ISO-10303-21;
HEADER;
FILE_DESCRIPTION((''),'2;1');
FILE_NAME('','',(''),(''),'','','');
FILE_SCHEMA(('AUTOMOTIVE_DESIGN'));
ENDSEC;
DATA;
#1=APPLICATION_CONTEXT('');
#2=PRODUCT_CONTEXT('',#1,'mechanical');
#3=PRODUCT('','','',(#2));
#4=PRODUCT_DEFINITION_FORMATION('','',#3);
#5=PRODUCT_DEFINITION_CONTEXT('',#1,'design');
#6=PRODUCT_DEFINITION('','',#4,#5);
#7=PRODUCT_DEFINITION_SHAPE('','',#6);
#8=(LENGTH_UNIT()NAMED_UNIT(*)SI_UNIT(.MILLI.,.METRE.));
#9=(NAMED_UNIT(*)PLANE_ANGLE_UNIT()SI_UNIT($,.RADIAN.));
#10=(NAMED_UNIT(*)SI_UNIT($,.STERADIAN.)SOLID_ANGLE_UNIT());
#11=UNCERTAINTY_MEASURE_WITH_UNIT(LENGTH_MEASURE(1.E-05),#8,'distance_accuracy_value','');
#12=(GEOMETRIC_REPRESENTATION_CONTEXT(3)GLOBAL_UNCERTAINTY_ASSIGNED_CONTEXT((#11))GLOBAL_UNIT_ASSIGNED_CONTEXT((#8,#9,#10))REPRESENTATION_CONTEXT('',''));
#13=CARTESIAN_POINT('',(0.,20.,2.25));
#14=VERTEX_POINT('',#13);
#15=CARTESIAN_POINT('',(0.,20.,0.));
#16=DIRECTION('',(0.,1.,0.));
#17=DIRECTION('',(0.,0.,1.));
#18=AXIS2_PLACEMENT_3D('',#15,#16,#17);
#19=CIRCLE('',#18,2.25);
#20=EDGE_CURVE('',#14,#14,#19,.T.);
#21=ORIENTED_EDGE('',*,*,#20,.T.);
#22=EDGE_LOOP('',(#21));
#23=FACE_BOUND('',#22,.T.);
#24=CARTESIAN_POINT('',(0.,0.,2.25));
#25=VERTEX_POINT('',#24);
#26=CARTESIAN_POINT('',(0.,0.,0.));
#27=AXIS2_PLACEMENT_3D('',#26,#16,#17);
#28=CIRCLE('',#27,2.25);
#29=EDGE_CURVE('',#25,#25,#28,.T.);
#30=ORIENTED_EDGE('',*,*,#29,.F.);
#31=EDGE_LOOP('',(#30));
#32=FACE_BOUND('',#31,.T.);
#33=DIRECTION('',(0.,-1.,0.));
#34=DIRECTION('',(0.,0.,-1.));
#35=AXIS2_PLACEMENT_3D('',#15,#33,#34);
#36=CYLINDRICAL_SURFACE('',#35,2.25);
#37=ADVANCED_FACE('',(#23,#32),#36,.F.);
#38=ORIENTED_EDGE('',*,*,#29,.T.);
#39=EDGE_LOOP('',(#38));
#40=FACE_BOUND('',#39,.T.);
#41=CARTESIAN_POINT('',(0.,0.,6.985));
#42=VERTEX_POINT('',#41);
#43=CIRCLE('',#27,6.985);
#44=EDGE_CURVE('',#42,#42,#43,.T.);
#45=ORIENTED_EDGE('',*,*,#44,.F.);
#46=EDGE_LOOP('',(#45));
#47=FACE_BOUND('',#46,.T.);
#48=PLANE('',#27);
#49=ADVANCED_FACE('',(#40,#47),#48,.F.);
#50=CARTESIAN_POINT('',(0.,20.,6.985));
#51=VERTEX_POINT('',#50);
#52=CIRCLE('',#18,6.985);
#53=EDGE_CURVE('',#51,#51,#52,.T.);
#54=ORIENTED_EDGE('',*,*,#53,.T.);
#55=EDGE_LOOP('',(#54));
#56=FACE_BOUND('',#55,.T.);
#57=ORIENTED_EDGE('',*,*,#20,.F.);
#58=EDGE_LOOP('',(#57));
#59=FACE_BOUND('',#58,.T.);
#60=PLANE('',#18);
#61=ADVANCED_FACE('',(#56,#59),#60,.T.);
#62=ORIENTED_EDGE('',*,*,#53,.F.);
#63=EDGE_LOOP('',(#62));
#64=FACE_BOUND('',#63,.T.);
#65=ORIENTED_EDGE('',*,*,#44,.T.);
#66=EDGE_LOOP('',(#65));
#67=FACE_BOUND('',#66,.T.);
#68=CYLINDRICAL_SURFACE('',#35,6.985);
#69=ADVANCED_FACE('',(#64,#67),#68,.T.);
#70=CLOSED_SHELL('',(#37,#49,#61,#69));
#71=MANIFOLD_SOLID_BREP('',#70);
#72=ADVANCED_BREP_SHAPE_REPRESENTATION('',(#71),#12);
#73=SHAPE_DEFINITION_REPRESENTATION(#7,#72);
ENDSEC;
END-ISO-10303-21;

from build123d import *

# Parameters (mm, degrees)
SKETCH2_R           = 6.985
SKETCH2_R_2         = 2.25
BOSS_EXTRUDE3_DEPTH = 20


with BuildPart() as part:
    # Sketch2 → Boss-Extrude3 (new body)
    with BuildSketch(Plane(origin=(0, 0, 0), x_dir=(1, 0, 0), z_dir=(0, 1, 0))):
        with Locations(Location((0, 0, 0), (0, 0, 270))):
            Circle(SKETCH2_R)
        with Locations(Location((0, 0, 0), (0, 0, 270))):
            Circle(SKETCH2_R_2, mode=Mode.SUBTRACT)
    extrude(amount=BOSS_EXTRUDE3_DEPTH)


solid = part.part
